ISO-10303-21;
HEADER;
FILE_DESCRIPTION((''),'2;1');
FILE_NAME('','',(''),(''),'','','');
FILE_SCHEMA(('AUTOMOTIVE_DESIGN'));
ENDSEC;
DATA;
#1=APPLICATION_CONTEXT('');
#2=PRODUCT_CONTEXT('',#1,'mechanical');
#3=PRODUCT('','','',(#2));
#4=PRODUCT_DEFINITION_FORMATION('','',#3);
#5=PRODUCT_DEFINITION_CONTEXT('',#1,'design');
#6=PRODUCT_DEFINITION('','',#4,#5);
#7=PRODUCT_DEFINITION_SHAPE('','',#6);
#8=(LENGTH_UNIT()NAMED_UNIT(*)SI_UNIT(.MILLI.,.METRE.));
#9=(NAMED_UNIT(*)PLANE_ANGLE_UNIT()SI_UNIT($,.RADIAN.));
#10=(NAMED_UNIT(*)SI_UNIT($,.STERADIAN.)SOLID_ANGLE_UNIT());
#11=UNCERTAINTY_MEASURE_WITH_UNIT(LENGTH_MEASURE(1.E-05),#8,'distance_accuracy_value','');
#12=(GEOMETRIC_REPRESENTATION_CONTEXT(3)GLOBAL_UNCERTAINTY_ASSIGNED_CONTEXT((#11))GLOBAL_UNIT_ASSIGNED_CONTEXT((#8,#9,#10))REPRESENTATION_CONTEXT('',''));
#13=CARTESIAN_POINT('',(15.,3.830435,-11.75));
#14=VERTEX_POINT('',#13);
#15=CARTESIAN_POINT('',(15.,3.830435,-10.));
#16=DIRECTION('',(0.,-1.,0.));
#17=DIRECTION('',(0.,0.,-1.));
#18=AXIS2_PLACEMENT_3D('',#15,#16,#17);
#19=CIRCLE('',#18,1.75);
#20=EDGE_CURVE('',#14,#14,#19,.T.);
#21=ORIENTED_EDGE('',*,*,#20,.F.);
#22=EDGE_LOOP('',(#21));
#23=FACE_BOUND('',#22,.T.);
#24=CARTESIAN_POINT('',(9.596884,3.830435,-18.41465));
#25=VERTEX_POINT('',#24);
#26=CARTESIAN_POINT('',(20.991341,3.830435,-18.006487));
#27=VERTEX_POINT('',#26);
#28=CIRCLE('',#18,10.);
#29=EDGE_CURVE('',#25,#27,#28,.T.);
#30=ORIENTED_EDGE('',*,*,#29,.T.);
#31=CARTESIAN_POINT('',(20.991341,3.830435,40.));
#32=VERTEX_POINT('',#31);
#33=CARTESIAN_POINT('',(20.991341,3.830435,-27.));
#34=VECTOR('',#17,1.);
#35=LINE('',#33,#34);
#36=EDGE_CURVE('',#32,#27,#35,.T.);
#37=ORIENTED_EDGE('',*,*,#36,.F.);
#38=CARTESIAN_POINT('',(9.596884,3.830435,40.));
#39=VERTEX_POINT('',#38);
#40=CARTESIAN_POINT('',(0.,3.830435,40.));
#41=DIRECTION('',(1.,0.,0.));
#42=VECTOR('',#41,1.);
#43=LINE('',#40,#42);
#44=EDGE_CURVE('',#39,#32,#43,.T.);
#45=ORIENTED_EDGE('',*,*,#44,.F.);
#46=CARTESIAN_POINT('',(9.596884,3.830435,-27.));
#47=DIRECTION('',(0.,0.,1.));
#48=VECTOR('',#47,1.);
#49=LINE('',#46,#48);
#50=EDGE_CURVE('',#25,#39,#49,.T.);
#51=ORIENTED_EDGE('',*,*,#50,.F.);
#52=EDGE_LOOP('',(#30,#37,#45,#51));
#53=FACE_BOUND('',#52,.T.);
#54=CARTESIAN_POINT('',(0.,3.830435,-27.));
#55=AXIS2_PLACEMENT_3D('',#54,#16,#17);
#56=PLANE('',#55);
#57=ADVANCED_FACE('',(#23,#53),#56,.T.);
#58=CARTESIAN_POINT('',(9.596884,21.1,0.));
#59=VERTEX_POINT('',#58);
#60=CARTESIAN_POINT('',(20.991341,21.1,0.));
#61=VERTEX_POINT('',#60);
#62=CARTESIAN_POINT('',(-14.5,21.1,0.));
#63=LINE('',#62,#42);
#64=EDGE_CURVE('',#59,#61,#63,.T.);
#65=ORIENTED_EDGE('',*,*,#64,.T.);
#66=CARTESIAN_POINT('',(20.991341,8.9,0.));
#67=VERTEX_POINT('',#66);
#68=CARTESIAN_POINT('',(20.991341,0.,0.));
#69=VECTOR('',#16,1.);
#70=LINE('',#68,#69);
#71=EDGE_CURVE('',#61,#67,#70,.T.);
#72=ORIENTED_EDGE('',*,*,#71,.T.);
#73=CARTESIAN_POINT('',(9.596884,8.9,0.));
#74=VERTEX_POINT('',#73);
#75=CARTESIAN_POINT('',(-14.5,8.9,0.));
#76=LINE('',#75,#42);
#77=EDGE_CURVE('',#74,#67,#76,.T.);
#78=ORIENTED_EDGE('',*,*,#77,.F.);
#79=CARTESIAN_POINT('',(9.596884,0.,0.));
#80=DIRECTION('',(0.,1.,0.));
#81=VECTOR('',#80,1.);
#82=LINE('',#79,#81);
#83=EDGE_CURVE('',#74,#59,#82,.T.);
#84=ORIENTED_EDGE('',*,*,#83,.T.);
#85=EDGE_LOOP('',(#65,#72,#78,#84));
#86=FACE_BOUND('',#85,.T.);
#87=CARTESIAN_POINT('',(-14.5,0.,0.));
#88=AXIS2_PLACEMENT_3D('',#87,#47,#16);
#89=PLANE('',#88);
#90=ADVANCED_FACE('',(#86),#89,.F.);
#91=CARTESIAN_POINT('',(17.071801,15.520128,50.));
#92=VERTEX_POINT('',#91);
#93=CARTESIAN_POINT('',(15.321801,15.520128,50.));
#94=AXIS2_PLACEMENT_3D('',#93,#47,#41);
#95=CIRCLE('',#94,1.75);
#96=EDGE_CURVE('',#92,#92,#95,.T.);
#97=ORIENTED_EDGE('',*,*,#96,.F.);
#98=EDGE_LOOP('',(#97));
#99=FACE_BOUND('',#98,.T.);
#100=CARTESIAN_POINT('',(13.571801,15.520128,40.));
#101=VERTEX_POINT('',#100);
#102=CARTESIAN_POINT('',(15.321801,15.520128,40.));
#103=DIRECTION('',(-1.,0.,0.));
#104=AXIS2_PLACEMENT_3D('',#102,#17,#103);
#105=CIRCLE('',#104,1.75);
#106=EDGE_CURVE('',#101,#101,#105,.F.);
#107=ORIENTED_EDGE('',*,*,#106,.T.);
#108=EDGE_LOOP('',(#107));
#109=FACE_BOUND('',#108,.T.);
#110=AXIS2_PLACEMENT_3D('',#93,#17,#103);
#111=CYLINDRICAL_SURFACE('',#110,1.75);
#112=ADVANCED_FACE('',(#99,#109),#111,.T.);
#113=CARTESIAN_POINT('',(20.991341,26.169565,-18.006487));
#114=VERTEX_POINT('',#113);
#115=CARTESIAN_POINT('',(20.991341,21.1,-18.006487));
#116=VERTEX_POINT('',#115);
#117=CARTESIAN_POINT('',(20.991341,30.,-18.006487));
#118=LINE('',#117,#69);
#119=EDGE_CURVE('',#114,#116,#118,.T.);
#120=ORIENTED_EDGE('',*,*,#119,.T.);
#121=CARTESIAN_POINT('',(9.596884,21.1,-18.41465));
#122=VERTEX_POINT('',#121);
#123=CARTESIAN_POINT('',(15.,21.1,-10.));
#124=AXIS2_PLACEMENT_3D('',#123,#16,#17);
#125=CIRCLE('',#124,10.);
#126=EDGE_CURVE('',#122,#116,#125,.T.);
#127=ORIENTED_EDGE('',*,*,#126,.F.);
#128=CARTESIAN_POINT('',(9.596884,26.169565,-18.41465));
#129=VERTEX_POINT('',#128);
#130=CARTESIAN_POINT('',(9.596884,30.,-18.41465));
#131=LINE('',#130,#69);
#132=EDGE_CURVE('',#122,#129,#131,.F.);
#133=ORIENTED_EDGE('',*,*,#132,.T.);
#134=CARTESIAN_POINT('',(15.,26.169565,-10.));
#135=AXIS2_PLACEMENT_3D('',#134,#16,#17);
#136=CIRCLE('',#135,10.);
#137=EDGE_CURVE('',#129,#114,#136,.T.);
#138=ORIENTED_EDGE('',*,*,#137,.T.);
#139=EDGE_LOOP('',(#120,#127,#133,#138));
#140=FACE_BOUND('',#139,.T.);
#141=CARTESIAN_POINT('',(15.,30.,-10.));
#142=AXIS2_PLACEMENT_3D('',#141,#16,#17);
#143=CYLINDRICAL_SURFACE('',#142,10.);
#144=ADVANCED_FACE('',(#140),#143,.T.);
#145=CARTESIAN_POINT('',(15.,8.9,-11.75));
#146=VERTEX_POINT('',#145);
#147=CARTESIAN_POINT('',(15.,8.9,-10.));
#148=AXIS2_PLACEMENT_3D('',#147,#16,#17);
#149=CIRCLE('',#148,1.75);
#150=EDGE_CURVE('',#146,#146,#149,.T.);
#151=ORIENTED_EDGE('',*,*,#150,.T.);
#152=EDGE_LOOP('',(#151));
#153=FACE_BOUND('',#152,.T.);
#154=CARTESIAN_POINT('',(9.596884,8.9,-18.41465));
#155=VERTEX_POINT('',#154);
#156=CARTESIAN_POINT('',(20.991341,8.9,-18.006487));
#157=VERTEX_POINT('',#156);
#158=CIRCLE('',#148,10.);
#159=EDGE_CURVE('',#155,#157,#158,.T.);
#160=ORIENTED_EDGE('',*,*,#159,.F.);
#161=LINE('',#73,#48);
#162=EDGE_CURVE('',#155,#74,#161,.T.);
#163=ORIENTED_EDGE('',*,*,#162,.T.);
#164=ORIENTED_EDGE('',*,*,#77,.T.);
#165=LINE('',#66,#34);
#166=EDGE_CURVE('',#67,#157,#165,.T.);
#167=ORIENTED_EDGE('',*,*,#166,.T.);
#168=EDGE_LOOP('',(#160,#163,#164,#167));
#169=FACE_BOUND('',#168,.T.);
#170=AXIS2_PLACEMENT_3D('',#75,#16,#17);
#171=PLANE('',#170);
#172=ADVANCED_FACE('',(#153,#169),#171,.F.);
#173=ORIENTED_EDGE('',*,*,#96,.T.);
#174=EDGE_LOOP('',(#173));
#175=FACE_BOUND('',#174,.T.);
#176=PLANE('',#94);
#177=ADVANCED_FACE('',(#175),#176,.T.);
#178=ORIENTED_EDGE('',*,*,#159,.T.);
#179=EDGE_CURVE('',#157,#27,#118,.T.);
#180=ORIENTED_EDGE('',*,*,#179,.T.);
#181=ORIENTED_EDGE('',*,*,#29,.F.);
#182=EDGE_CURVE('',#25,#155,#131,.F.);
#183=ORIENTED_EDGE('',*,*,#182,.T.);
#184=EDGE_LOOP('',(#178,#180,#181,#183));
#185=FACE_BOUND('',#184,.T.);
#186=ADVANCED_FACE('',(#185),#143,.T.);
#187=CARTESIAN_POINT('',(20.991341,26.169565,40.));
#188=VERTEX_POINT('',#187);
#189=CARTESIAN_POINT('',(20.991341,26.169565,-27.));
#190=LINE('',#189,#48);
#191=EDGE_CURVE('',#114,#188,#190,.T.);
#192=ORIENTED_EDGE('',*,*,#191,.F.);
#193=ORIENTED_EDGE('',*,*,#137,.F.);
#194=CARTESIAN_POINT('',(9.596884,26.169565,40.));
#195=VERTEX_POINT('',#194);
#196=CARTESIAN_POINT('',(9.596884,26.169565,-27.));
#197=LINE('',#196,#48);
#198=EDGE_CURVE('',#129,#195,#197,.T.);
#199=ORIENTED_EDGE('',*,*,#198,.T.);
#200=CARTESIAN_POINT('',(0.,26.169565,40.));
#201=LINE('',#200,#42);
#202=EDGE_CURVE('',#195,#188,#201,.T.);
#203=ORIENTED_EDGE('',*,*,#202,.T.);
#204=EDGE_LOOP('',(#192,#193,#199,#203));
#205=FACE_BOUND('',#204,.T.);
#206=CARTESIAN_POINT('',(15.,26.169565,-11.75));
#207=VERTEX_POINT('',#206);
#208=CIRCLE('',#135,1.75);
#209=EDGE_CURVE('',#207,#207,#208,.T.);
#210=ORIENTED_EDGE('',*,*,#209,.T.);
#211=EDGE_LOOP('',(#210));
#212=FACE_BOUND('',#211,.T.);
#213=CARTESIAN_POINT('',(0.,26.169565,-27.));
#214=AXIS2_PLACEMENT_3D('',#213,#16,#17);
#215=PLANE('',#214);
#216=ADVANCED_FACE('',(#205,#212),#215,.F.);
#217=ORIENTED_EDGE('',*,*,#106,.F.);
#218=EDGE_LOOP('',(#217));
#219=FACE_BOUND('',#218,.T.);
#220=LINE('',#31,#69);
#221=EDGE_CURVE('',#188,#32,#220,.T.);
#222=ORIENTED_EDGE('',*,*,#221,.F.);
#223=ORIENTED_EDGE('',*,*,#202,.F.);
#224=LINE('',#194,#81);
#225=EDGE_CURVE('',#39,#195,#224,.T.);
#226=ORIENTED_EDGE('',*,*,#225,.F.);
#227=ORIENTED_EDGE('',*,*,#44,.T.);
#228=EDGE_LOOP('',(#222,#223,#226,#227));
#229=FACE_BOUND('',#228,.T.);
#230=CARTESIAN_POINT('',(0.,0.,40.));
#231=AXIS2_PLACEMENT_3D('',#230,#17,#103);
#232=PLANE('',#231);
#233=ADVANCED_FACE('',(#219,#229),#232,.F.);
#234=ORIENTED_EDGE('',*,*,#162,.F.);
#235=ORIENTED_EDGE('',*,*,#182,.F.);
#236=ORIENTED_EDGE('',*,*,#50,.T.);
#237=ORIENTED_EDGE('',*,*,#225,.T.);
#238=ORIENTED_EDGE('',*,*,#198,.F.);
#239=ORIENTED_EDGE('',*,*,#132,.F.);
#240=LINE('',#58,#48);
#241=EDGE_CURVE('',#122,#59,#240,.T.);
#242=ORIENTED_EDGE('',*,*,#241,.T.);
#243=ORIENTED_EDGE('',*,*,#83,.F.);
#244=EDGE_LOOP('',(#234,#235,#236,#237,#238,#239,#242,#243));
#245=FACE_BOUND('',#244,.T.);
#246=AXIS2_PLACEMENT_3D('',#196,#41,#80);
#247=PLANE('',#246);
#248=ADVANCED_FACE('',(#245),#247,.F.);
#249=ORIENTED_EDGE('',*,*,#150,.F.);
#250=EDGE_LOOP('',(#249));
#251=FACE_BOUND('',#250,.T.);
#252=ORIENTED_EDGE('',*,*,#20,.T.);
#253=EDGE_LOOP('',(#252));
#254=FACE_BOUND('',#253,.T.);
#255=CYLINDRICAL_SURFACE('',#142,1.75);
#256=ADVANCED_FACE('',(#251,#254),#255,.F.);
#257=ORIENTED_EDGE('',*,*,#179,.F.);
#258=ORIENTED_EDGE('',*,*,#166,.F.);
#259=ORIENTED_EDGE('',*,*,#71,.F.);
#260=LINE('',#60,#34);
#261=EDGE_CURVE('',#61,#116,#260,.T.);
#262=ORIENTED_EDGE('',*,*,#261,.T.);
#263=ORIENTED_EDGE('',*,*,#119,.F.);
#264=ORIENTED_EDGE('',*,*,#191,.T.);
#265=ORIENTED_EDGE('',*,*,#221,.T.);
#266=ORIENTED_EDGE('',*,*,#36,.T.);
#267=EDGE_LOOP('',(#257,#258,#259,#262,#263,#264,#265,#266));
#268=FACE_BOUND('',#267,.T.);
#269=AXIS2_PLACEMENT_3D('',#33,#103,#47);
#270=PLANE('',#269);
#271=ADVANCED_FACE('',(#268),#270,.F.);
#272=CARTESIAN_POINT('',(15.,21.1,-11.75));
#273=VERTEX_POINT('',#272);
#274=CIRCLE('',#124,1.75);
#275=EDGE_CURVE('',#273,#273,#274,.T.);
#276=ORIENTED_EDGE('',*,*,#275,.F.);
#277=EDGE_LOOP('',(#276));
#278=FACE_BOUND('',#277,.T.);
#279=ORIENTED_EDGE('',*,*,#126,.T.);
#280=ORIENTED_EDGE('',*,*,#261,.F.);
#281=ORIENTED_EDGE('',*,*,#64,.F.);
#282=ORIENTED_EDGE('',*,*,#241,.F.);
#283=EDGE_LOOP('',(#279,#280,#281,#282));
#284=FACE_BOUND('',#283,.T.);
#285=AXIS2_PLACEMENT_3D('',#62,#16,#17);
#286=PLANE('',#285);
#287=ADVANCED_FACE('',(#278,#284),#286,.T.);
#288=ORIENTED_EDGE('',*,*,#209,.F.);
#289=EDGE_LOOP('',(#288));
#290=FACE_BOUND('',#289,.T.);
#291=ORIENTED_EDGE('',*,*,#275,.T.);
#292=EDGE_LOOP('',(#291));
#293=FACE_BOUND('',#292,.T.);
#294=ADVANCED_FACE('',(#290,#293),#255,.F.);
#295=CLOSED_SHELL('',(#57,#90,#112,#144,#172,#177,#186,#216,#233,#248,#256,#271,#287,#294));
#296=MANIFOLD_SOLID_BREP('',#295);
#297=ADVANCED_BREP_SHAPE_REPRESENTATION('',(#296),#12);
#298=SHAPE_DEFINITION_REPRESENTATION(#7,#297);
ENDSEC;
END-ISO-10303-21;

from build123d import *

# Parameters (mm, degrees)
SKETCH3_W            = 30
SKETCH3_H            = 30
BOSS_EXTRUDE1_DEPTH  = 40
CUT_EXTRUDE4_START   = -40
CUT_EXTRUDE4_DEPTH   = 99.309518948
MIRROR5_START        = -40
MIRROR5_COPY_1_DEPTH = 99.309518948
SKETCH9_R            = 1.75
BOSS_EXTRUDE2_DEPTH  = 30
CUT_EXTRUDE5_DEPTH   = 30
SKETCH11_W           = 20
SKETCH11_H           = 12.2
CUT_EXTRUDE6_DEPTH   = 44.5
SKETCH12_R           = 1.75
BOSS_EXTRUDE3_DEPTH  = 10
CUT_EXTRUDE13_DEPTH  = 67
SKETCH16_W           = 6.483229808
SKETCH16_H           = 22.339130026
SKETCH16_W_2         = 7.133382066
CUT_EXTRUDE14_DEPTH  = 67


with BuildPart() as part:
    # Sketch3 → Boss-Extrude1 (new body)
    with BuildSketch(Plane.XY):
        with Locations((15, 15)):
            Rectangle(SKETCH3_W, SKETCH3_H)
    extrude(amount=BOSS_EXTRUDE1_DEPTH)

    # Sketch8 → Cut-Extrude4 (cut)
    with BuildSketch(Plane(origin=(0, 0, 0), x_dir=(-1, 0, 0), z_dir=(0, 0, -1)).offset(CUT_EXTRUDE4_START)):
        Polygon((-77.236567429, -51.703622198), (-30, 17.572977849), (-21.526577959, 30), (25.70998947, 99.276600047), (-112.843210625, 193.749734905), (-215.789767524, 42.769512659), align=None)
    cut_extrude4 = extrude(amount=CUT_EXTRUDE4_DEPTH, mode=Mode.SUBTRACT)

    # Mirror4: Cut-Extrude4 across plane
    add(cut_extrude4.mirror(Plane.ZY.offset(-15)), mode=Mode.SUBTRACT)

    # Mirror5: Cut-Extrude4 across plane
    add(cut_extrude4.mirror(Plane(origin=(0, 15, 0), x_dir=(0, 0, 1), z_dir=(0, -1, 0))), mode=Mode.SUBTRACT)

    # Mirror5 copy 1 sketch → Mirror5 copy 1 (cut)
    with BuildSketch(Plane(origin=(30, 30, 0), x_dir=(1, 0, 0), z_dir=(0, 0, -1)).offset(MIRROR5_START)):
        Polygon((-77.236567429, -51.703622198), (-30, 17.572977849), (-21.526577959, 30), (25.70998947, 99.276600047), (-112.843210625, 193.749734905), (-215.789767524, 42.769512659), align=None)
    extrude(amount=MIRROR5_COPY_1_DEPTH, mode=Mode.SUBTRACT)

    # Sketch9 → Boss-Extrude2 (add)
    with BuildSketch(Plane(origin=(0, 0, 0), x_dir=(1, 0, 0), z_dir=(0, 1, 0))):
        with BuildLine():
            Line((5.769230769, 13.846153846), (0, 0))
            Line((0, 0), (30, 0))
            Line((30, 0), (24.924823528, 11.223878236))
            Line((24.924823528, 11.223878236), (22.474176558, 16.643544594))
            ThreePointArc((22.474176558, 16.643544594), (13.348408887, 19.862669355), (5.769230769, 13.846153846))
        make_face()
        with Locations(Location((15, 10, 0), (0, 0, 270))):
            Circle(SKETCH9_R, mode=Mode.SUBTRACT)
    extrude(amount=BOSS_EXTRUDE2_DEPTH)

    # Sketch10 → Cut-Extrude5 (cut)
    with BuildSketch(Plane.XY):
        Polygon((0, 17.572977849), (8.473422041, 30), (0, 30), align=None)
        Polygon((8.473422041, 0), (0, 0), (0, 12.427022151), align=None)
        Polygon((21.526577959, 0), (30, 12.427022151), (30, 0), align=None)
        Polygon((30, 17.572977849), (21.526577959, 30), (30, 30), align=None)
    extrude(amount=-CUT_EXTRUDE5_DEPTH, mode=Mode.SUBTRACT)

    # Sketch11 → Cut-Extrude6 (cut, symmetric)
    with BuildSketch(Plane(origin=(30, 0, 0), x_dir=(0, 0, -1), z_dir=(1, 0, 0))):
        with Locations((10, 15)):
            Rectangle(SKETCH11_W, SKETCH11_H)
    extrude(amount=CUT_EXTRUDE6_DEPTH, both=True, mode=Mode.SUBTRACT)

    # Sketch12 → Boss-Extrude3 (add)
    with BuildSketch(Plane.XY.offset(40)):
        with Locations(Location((15.321801173, 15.520127928, 0), (0, 0, 180))):
            Circle(SKETCH12_R)
    extrude(amount=BOSS_EXTRUDE3_DEPTH)

    # Sketch15 → Cut-Extrude13 (cut)
    with BuildSketch(Plane.XY.offset(40)):
        Polygon((8.473422041, 30), (5.86162238, 26.169565013), (24.13837762, 26.169565013), (21.526577959, 30), align=None)
        Polygon((30, 17.572977849), (24.220848208, 26.048614609), (24.220848208, 15), (30, 15), align=None)
        Polygon((30, 15), (24.220848208, 15), (24.220848208, 3.951385391), (30, 12.427022151), align=None)
        Polygon((24.13837762, 3.830434987), (5.86162238, 3.830434987), (8.473422041, 0), (21.526577959, 0), align=None)
        Polygon((5.769230769, 3.965935447), (5.815144659, 15), (0, 15), (0, 12.427022151), align=None)
        Polygon((5.815144659, 15), (5.86162238, 26.169565013), (0, 17.572977849), (0, 15), align=None)
    extrude(amount=-CUT_EXTRUDE13_DEPTH, mode=Mode.SUBTRACT)

    # Sketch16 → Cut-Extrude14 (cut)
    with BuildSketch(Plane.XY.offset(40)):
        with Locations((6.355269315, 15)):
            Rectangle(SKETCH16_W, SKETCH16_H)
        with Locations((24.558031714, 15)):
            Rectangle(SKETCH16_W_2, SKETCH16_H)
    extrude(amount=-CUT_EXTRUDE14_DEPTH, mode=Mode.SUBTRACT)


solid = part.part
